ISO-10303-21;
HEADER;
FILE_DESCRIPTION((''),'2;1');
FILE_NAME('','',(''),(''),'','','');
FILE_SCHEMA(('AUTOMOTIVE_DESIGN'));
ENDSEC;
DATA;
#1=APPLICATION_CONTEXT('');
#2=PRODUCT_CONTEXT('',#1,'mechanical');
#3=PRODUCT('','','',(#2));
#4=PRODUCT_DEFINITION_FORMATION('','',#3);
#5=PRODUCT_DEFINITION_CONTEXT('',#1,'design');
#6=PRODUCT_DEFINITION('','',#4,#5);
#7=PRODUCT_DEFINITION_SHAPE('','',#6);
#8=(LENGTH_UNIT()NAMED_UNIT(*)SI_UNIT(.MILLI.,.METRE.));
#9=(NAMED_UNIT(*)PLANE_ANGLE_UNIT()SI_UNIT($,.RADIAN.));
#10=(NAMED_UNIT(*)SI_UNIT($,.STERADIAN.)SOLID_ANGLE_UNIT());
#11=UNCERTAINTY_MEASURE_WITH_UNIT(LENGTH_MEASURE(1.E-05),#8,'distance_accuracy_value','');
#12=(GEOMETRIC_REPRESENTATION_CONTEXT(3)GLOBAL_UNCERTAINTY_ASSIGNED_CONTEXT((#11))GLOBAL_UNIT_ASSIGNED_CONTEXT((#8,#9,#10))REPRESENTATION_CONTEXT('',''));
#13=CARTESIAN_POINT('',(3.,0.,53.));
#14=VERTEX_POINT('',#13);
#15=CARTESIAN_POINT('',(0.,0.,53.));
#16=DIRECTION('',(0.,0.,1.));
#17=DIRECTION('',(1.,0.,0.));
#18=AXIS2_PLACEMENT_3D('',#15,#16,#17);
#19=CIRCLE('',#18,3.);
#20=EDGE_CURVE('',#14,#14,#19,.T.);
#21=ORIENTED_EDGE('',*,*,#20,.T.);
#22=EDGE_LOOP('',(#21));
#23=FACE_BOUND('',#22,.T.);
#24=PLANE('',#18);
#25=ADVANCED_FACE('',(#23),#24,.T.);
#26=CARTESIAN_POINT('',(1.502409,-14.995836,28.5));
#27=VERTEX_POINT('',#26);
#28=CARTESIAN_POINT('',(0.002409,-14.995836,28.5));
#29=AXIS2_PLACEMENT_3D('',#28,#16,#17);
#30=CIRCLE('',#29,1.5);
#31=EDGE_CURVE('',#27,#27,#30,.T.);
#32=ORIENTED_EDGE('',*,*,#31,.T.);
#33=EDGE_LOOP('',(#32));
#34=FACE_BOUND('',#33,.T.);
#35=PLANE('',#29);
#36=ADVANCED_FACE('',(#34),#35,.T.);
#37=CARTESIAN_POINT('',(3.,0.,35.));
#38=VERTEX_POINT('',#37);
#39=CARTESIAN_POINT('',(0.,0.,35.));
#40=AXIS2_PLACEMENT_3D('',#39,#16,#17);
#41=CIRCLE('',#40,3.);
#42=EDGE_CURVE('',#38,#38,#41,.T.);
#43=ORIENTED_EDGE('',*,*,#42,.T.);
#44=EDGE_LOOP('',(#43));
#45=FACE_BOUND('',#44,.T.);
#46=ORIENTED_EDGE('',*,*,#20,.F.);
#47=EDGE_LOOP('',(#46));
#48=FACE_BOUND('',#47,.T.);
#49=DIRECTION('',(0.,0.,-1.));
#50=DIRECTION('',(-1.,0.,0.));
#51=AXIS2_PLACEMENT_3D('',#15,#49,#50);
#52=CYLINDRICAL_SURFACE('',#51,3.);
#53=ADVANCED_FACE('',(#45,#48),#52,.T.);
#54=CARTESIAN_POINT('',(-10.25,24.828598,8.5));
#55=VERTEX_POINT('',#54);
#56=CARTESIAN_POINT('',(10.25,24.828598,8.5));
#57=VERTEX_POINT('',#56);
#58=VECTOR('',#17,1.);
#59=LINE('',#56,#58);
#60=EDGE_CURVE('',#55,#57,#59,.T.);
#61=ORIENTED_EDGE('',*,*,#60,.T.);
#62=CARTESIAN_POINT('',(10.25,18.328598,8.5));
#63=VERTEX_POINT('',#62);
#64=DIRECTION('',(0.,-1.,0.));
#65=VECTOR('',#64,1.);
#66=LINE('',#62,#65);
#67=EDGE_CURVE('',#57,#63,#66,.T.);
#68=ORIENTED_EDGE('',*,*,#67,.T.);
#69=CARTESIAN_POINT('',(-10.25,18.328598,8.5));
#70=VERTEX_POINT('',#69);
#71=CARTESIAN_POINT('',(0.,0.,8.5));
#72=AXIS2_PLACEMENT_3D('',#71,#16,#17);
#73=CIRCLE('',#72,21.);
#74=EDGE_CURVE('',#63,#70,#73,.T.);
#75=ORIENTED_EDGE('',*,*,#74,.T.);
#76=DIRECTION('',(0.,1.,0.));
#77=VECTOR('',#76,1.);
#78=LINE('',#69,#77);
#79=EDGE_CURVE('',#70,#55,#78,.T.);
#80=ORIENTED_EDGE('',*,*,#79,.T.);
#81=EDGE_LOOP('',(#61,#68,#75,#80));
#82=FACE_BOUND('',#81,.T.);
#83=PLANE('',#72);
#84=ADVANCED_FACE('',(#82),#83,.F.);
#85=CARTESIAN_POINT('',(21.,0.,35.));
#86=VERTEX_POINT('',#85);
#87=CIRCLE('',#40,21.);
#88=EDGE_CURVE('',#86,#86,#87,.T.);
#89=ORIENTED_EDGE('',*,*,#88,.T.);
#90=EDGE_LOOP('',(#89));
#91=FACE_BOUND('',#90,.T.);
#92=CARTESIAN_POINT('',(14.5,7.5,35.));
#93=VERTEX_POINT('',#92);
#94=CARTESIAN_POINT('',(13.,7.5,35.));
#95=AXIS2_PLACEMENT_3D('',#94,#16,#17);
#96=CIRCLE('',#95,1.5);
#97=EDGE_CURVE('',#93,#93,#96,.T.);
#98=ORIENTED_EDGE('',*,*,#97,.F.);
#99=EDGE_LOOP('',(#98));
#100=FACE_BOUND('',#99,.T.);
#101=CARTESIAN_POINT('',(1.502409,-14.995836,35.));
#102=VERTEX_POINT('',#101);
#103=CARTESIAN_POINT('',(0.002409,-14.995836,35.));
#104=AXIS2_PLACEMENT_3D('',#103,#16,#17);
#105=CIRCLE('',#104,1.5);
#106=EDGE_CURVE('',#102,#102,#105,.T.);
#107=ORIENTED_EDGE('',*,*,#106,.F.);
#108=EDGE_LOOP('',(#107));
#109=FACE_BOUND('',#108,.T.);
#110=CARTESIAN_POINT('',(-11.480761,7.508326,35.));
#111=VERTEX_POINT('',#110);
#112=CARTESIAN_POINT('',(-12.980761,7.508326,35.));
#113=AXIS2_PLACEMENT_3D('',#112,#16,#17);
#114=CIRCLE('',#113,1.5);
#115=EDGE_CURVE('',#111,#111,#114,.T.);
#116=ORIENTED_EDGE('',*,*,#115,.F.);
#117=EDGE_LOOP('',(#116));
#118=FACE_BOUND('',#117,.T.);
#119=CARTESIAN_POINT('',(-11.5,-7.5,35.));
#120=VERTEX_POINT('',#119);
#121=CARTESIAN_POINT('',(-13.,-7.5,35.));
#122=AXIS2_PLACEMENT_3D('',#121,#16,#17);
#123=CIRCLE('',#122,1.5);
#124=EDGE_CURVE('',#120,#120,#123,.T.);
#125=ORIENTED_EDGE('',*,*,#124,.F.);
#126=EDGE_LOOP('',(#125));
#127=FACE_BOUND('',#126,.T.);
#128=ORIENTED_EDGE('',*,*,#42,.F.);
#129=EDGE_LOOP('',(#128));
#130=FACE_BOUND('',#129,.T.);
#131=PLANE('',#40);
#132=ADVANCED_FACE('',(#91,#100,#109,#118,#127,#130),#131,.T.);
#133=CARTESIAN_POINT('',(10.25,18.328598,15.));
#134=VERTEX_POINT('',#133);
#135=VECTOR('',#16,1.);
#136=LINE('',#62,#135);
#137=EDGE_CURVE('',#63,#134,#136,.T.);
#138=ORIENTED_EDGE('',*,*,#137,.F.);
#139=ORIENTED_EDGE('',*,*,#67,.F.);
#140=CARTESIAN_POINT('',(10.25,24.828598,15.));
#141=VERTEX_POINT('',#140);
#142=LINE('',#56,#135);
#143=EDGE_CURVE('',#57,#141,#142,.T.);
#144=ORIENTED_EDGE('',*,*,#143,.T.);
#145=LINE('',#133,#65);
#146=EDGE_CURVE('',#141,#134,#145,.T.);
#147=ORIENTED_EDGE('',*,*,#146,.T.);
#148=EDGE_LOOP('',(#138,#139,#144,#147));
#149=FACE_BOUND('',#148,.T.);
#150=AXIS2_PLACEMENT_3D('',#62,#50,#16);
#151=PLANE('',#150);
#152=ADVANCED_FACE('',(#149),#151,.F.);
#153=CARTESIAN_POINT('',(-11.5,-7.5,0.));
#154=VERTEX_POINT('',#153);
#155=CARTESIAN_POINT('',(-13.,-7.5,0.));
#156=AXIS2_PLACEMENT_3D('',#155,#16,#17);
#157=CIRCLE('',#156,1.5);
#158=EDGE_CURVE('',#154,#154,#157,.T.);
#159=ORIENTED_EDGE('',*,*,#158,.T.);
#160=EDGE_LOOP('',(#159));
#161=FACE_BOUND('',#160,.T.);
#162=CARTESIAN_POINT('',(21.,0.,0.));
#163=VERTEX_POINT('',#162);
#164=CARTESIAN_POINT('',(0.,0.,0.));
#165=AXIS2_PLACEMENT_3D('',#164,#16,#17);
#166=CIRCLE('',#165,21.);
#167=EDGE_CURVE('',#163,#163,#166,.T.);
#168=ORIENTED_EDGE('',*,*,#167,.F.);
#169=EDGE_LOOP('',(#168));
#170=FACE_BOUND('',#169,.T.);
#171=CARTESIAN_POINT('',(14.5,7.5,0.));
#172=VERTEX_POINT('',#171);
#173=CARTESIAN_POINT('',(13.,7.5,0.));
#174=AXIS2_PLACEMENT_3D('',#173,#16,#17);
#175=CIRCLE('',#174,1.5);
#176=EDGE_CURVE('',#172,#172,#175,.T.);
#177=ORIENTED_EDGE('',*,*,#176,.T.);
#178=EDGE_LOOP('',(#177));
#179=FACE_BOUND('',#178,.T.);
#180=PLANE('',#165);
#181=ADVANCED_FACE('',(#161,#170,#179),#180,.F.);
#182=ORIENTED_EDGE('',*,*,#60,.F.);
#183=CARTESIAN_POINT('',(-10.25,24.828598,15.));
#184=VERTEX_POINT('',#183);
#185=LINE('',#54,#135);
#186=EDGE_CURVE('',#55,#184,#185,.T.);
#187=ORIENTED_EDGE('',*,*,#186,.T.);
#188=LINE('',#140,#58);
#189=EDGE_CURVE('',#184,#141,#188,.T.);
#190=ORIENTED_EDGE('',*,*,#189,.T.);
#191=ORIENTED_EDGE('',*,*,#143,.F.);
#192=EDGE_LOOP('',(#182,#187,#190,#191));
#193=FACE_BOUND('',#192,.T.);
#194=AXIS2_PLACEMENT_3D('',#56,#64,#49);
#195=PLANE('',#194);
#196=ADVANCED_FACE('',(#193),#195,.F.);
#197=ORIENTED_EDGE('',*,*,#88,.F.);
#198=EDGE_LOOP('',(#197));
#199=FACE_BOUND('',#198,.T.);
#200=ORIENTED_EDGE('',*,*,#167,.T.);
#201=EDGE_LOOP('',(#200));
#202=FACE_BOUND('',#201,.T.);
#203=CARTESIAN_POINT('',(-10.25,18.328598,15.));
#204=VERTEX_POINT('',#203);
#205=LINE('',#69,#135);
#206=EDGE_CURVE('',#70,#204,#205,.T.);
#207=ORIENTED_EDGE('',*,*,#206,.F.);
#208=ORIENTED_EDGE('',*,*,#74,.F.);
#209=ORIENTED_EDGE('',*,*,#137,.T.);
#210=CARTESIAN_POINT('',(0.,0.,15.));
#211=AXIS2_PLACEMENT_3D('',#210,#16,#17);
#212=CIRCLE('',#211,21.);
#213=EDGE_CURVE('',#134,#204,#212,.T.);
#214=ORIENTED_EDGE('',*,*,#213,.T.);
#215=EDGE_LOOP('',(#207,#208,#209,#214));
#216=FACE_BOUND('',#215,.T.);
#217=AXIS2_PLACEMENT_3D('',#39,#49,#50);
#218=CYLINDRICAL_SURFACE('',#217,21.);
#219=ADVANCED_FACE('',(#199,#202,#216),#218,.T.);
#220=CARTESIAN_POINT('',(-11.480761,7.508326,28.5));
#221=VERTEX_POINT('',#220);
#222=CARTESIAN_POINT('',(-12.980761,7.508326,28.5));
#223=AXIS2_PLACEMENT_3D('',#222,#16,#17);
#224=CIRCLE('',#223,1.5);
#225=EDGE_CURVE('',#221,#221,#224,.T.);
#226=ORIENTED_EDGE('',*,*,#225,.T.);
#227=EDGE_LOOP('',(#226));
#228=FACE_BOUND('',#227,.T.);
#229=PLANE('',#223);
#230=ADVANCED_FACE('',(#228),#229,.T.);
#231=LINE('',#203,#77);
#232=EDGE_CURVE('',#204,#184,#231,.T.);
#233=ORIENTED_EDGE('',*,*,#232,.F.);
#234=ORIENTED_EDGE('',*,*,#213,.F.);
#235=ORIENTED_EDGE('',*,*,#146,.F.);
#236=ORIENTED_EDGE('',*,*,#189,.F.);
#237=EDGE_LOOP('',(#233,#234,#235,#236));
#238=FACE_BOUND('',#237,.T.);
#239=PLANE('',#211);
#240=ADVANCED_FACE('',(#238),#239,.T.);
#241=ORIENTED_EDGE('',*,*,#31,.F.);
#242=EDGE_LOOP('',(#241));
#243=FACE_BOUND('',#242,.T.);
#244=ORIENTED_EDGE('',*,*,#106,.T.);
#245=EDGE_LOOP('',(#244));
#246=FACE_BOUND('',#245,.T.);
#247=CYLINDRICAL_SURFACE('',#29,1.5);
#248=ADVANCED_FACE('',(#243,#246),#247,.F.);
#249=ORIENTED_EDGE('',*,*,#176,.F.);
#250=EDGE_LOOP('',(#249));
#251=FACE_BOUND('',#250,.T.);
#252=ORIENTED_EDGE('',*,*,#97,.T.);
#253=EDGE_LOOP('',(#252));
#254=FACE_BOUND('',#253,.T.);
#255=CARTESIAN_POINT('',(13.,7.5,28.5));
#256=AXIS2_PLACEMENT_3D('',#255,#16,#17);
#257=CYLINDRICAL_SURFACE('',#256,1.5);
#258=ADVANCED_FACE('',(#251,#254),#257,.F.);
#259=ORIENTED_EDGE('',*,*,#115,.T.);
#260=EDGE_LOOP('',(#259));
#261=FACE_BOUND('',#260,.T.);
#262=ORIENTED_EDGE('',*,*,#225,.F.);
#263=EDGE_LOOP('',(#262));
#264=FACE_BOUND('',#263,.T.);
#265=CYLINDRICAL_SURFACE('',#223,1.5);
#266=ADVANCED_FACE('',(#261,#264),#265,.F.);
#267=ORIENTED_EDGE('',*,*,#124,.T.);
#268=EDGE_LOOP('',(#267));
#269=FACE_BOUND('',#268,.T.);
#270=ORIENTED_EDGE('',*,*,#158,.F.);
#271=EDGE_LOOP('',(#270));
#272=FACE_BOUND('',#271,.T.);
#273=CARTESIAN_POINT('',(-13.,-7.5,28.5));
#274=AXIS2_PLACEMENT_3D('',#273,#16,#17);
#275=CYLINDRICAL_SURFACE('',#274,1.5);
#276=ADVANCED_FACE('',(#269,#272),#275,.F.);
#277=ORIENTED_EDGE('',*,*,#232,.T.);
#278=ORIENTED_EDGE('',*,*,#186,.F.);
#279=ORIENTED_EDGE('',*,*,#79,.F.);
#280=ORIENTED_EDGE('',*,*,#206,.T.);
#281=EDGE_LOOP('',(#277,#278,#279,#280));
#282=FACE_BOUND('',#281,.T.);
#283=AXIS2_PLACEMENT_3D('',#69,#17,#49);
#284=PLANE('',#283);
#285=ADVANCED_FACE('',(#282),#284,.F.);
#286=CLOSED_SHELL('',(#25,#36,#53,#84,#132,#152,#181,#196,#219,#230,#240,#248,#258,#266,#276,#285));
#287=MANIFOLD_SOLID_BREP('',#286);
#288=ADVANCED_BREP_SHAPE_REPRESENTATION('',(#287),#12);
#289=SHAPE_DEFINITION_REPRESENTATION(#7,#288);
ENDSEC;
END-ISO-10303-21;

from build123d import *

# Parameters (mm, degrees)
SKETCH_1_R          = 21
EXTRUDE_1_DEPTH     = 35
SKETCH_2_R          = 3
EXTRUDE_2_DEPTH     = 18
EXTRUDE_4_DEPTH     = 6.5
SKETCH_7_R          = 1.5
CUT_EXTRUDE_1_DEPTH = 6.5
MM_PRESS_1_D        = 3
MM_PRESS_2_D        = 3


with BuildPart() as part:
    # 草图1 → 凸台-拉伸1 (new body)
    with BuildSketch(Plane.XY):
        Circle(SKETCH_1_R)
    extrude(amount=EXTRUDE_1_DEPTH)

    # 草图2 → 凸台-拉伸2 (add)
    with BuildSketch(Plane.XY.offset(35)):
        Circle(SKETCH_2_R)
    extrude(amount=EXTRUDE_2_DEPTH)

    # 草图6 → 凸台-拉伸4 (add)
    with BuildSketch(Plane(origin=(0, 0, 15), x_dir=(-1, 0, 0), z_dir=(0, 0, -1))):
        with BuildLine():
            Line((-10.25, 18.328597873), (-10.25, 24.828597873))
            Line((-10.25, 24.828597873), (10.25, 24.828597873))
            Line((10.25, 24.828597873), (10.25, 18.328597873))
            ThreePointArc((10.25, 18.328597873), (0, 21), (-10.25, 18.328597873))
        make_face()
    extrude(amount=EXTRUDE_4_DEPTH)

    # 草图7 → 切除-拉伸1 (cut)
    with BuildSketch(Plane.XY.offset(35)):
        with Locations((13, 7.5)):
            Circle(SKETCH_7_R)
        with Locations((0.002409407, -14.995836032)):
            Circle(SKETCH_7_R)
        with Locations((-12.98076078, 7.508325625)):
            Circle(SKETCH_7_R)
        with Locations((-13, -7.5)):
            Circle(SKETCH_7_R)
    extrude(amount=-CUT_EXTRUDE_1_DEPTH, mode=Mode.SUBTRACT)

    # 大小mm Press 暗销孔1 (through all)
    with Locations(Plane(origin=(19.777789767, 155.433675327, 28.5), x_dir=(0.242616345, -0.970122317, 0), z_dir=(0, 0, 1))):
        with Locations((141.869357239, -42.466412685)):
            Hole(MM_PRESS_1_D / 2)

    # 大小mm Press 暗销孔2 (through all)
    with Locations(Plane(origin=(19.777789767, 155.433675327, 28.5), x_dir=(0.242616345, -0.970122317, 0), z_dir=(0, 0, 1))):
        with Locations((150.113167025, -71.32883809)):
            Hole(MM_PRESS_2_D / 2)


solid = part.part
